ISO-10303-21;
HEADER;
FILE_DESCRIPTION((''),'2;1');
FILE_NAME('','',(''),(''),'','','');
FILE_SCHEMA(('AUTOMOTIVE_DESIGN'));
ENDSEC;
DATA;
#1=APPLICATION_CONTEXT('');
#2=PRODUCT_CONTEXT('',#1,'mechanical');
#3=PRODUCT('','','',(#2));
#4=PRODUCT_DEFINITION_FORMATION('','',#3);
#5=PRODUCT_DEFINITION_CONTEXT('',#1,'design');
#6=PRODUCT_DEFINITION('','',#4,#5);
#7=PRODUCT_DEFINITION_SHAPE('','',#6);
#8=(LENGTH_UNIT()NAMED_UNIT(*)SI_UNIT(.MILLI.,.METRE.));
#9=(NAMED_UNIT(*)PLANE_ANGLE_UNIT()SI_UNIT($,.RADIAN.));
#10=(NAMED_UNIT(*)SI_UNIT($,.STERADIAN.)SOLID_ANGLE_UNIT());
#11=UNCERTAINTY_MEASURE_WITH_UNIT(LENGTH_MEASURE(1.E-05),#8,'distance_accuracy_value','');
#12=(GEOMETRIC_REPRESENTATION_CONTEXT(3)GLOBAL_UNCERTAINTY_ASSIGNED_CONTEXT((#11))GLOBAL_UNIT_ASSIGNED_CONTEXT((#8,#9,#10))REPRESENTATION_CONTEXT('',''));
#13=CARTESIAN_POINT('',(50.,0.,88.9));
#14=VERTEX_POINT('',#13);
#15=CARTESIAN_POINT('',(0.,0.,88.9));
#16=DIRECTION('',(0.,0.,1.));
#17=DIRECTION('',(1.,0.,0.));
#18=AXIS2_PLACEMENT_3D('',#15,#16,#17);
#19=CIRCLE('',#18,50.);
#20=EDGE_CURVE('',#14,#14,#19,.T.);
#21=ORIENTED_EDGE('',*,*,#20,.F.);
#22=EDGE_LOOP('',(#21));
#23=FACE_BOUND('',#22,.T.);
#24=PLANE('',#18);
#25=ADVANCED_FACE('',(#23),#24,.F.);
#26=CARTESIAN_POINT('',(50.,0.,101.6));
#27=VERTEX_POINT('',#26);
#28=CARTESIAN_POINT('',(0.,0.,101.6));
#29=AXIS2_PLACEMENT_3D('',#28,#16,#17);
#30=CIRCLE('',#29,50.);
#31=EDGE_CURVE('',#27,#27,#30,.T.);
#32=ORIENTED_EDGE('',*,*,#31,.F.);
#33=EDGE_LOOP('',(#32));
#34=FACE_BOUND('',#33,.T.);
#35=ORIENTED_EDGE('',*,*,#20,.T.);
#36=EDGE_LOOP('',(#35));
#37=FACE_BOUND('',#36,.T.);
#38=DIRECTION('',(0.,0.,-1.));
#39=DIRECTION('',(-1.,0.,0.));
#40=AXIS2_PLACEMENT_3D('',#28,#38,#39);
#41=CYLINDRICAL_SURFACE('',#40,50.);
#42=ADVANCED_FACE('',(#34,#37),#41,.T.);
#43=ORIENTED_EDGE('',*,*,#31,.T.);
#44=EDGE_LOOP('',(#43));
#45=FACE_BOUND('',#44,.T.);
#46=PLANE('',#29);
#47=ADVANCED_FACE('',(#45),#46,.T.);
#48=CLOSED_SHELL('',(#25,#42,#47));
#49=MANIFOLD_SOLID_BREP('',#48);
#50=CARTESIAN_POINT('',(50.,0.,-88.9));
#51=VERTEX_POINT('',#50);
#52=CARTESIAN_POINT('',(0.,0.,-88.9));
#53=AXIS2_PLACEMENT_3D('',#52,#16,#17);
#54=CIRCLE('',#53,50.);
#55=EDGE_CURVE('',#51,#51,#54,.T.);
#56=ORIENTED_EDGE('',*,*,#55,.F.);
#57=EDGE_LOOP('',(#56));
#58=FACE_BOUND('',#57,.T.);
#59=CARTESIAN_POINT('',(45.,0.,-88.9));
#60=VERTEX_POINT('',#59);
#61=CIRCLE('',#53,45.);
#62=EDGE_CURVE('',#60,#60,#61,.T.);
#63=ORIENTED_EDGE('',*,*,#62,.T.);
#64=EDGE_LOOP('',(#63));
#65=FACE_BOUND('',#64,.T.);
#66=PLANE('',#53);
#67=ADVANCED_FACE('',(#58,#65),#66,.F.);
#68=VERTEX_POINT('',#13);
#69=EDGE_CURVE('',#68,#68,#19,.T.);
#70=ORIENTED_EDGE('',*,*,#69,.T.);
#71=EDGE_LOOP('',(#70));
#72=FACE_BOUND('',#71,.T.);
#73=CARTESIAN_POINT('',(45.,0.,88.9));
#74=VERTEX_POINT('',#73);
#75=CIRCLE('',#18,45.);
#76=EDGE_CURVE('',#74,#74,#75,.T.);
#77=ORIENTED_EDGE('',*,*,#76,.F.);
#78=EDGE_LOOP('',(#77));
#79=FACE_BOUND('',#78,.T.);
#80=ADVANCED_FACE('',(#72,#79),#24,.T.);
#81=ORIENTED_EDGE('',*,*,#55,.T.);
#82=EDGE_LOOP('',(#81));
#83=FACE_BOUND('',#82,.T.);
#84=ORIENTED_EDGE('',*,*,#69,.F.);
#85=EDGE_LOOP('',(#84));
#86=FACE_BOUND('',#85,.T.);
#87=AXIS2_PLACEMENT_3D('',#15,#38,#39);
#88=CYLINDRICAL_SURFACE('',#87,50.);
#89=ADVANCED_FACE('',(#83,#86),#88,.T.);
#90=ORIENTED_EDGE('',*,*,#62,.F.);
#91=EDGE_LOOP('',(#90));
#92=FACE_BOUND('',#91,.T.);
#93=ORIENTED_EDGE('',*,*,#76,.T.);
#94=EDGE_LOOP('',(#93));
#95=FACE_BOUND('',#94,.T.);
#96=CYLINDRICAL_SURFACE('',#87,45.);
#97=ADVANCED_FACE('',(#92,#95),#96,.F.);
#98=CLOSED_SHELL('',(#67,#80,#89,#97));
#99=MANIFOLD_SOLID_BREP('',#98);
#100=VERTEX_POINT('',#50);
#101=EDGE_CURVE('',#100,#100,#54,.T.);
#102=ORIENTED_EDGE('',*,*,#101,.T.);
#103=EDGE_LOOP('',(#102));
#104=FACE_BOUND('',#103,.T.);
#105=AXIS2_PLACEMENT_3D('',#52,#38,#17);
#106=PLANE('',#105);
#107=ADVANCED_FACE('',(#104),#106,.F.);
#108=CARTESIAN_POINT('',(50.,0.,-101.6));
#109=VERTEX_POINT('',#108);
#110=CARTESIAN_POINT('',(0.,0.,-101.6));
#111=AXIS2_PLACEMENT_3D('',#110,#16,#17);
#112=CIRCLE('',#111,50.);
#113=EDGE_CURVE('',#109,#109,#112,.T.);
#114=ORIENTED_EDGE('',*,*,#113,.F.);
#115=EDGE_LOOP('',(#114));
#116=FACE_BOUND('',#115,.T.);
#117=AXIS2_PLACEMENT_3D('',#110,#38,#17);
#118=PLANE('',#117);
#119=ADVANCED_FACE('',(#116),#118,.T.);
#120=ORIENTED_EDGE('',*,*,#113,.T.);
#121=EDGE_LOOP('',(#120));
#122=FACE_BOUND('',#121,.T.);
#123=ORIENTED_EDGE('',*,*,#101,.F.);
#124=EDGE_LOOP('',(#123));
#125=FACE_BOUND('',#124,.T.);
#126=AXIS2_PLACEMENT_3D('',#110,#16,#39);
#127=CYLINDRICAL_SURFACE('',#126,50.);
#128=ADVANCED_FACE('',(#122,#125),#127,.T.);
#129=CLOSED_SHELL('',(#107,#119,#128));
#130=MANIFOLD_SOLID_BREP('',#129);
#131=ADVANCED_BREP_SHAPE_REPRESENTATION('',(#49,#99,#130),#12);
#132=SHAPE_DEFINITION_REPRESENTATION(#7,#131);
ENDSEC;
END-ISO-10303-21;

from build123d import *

# Parameters (mm, degrees)
E_HOUSING_BASE_SKETCH_R   = 50
E_HOUSING_BASE_SKETCH_R_2 = 45
E_HOUSING_BASE_DEPTH      = 88.9
SKETCH3_R                 = 50
END_CAP_1_DEPTH           = 12.7


with BuildPart() as part:
    # E-Housing Base Sketch → E-Housing Base (new, symmetric)
    with BuildSketch(Plane.XY):
        Circle(E_HOUSING_BASE_SKETCH_R)
        Circle(E_HOUSING_BASE_SKETCH_R_2, mode=Mode.SUBTRACT)
    extrude(amount=E_HOUSING_BASE_DEPTH, both=True)


with BuildPart() as body_2:
    # Sketch3 → End Cap 1 (new body)
    with BuildSketch(Plane.XY.offset(88.9)):
        Circle(SKETCH3_R)
    extrude(amount=END_CAP_1_DEPTH)


with BuildPart() as body_3:
    # End Cap 2: mirrored copy
    add(body_2.part.mirror(Plane.XY))


solid = Compound([part.part, body_2.part, body_3.part])
